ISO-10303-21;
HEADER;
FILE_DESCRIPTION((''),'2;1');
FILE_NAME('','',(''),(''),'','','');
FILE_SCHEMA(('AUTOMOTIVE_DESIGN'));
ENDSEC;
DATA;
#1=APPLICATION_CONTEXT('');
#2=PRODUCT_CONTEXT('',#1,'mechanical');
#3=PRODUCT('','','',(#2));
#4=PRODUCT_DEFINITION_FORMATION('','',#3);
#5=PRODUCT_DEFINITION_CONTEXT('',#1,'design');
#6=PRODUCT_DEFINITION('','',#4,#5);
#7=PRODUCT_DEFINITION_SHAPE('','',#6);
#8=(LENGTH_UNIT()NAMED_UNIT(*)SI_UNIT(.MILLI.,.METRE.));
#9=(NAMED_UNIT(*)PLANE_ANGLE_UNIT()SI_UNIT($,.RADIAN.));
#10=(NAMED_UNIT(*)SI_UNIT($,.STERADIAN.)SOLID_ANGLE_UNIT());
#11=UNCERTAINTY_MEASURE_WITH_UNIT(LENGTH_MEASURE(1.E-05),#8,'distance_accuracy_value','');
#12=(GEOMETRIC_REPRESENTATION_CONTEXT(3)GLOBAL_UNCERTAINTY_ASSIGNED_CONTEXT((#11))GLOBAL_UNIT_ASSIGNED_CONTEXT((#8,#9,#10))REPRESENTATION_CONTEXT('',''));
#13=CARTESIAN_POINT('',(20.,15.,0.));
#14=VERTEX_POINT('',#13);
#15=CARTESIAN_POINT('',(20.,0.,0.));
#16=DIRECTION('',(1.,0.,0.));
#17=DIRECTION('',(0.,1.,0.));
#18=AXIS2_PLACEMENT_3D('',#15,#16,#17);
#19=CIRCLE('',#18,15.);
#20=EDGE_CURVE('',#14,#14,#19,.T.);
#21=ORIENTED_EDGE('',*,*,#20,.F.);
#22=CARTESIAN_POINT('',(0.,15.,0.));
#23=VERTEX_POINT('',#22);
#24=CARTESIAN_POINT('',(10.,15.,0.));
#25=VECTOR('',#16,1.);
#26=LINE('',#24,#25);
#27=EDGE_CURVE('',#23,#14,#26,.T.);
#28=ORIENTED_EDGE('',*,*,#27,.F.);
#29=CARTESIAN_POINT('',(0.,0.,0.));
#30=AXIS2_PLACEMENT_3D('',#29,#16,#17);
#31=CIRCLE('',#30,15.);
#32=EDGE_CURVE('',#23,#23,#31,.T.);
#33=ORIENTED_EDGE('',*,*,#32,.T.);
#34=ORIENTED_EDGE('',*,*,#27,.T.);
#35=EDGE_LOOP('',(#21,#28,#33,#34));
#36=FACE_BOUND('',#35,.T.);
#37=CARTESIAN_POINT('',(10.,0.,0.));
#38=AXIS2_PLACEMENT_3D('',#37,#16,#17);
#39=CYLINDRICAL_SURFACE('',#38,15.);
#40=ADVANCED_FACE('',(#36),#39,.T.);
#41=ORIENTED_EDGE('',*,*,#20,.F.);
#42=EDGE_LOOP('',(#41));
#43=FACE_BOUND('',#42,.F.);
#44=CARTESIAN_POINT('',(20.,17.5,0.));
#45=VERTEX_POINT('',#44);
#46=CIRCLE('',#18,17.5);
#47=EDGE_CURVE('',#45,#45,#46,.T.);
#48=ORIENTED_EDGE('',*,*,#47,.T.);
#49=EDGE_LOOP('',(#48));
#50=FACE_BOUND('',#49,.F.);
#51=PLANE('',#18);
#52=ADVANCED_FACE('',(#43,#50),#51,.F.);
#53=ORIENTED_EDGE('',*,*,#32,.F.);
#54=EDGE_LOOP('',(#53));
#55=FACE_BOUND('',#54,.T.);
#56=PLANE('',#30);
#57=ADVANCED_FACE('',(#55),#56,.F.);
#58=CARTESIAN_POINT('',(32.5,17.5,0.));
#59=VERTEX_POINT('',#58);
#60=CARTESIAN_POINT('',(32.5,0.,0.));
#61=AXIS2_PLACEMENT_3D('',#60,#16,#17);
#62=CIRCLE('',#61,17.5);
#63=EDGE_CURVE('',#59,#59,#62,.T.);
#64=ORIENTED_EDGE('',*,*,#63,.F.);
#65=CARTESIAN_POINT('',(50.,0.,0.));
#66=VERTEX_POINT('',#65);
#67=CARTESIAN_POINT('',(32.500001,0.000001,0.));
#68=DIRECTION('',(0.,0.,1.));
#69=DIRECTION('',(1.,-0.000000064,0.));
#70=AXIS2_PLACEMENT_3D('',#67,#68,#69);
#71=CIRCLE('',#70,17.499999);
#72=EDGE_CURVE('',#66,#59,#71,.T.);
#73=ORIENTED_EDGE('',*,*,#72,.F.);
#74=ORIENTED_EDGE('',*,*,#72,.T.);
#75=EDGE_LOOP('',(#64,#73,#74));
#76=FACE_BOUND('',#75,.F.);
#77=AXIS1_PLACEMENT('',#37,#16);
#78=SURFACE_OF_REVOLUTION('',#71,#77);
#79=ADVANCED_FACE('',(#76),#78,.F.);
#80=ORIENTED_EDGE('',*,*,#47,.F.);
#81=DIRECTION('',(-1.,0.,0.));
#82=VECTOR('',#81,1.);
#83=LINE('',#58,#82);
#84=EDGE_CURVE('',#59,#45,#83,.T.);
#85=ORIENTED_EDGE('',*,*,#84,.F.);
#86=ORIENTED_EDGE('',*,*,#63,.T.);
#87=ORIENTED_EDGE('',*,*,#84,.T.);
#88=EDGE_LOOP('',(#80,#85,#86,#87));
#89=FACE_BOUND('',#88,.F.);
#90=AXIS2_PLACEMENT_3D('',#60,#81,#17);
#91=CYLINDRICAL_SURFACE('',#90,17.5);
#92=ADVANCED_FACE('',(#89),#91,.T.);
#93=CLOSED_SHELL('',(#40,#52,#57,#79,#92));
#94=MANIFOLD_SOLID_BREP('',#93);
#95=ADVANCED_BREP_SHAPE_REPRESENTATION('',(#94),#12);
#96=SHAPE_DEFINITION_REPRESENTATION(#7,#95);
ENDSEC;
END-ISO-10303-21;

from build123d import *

# Parameters (mm, degrees)
F0_W = 20
F0_H = 15


with BuildPart() as f1:
    # F0 (on Top) → F1 (revolve)
    with BuildSketch(Plane.XY):
        with Locations((10, 7.5)):
            Rectangle(F0_W, F0_H)
        Polygon((20, 15), (20, 0), (32.5, 0), (32.5, 17.5), (20, 17.5), align=None)
        with BuildLine():
            Line((32.5, 17.5), (32.5, 0))
            Line((32.5, 0), (50, 0))
            ThreePointArc((50, 0), (44.874369, 12.374369), (32.5, 17.5))
        make_face()
    revolve(axis=Axis((10, 0, 0), (1, 0, 0)))


solid = f1.part
